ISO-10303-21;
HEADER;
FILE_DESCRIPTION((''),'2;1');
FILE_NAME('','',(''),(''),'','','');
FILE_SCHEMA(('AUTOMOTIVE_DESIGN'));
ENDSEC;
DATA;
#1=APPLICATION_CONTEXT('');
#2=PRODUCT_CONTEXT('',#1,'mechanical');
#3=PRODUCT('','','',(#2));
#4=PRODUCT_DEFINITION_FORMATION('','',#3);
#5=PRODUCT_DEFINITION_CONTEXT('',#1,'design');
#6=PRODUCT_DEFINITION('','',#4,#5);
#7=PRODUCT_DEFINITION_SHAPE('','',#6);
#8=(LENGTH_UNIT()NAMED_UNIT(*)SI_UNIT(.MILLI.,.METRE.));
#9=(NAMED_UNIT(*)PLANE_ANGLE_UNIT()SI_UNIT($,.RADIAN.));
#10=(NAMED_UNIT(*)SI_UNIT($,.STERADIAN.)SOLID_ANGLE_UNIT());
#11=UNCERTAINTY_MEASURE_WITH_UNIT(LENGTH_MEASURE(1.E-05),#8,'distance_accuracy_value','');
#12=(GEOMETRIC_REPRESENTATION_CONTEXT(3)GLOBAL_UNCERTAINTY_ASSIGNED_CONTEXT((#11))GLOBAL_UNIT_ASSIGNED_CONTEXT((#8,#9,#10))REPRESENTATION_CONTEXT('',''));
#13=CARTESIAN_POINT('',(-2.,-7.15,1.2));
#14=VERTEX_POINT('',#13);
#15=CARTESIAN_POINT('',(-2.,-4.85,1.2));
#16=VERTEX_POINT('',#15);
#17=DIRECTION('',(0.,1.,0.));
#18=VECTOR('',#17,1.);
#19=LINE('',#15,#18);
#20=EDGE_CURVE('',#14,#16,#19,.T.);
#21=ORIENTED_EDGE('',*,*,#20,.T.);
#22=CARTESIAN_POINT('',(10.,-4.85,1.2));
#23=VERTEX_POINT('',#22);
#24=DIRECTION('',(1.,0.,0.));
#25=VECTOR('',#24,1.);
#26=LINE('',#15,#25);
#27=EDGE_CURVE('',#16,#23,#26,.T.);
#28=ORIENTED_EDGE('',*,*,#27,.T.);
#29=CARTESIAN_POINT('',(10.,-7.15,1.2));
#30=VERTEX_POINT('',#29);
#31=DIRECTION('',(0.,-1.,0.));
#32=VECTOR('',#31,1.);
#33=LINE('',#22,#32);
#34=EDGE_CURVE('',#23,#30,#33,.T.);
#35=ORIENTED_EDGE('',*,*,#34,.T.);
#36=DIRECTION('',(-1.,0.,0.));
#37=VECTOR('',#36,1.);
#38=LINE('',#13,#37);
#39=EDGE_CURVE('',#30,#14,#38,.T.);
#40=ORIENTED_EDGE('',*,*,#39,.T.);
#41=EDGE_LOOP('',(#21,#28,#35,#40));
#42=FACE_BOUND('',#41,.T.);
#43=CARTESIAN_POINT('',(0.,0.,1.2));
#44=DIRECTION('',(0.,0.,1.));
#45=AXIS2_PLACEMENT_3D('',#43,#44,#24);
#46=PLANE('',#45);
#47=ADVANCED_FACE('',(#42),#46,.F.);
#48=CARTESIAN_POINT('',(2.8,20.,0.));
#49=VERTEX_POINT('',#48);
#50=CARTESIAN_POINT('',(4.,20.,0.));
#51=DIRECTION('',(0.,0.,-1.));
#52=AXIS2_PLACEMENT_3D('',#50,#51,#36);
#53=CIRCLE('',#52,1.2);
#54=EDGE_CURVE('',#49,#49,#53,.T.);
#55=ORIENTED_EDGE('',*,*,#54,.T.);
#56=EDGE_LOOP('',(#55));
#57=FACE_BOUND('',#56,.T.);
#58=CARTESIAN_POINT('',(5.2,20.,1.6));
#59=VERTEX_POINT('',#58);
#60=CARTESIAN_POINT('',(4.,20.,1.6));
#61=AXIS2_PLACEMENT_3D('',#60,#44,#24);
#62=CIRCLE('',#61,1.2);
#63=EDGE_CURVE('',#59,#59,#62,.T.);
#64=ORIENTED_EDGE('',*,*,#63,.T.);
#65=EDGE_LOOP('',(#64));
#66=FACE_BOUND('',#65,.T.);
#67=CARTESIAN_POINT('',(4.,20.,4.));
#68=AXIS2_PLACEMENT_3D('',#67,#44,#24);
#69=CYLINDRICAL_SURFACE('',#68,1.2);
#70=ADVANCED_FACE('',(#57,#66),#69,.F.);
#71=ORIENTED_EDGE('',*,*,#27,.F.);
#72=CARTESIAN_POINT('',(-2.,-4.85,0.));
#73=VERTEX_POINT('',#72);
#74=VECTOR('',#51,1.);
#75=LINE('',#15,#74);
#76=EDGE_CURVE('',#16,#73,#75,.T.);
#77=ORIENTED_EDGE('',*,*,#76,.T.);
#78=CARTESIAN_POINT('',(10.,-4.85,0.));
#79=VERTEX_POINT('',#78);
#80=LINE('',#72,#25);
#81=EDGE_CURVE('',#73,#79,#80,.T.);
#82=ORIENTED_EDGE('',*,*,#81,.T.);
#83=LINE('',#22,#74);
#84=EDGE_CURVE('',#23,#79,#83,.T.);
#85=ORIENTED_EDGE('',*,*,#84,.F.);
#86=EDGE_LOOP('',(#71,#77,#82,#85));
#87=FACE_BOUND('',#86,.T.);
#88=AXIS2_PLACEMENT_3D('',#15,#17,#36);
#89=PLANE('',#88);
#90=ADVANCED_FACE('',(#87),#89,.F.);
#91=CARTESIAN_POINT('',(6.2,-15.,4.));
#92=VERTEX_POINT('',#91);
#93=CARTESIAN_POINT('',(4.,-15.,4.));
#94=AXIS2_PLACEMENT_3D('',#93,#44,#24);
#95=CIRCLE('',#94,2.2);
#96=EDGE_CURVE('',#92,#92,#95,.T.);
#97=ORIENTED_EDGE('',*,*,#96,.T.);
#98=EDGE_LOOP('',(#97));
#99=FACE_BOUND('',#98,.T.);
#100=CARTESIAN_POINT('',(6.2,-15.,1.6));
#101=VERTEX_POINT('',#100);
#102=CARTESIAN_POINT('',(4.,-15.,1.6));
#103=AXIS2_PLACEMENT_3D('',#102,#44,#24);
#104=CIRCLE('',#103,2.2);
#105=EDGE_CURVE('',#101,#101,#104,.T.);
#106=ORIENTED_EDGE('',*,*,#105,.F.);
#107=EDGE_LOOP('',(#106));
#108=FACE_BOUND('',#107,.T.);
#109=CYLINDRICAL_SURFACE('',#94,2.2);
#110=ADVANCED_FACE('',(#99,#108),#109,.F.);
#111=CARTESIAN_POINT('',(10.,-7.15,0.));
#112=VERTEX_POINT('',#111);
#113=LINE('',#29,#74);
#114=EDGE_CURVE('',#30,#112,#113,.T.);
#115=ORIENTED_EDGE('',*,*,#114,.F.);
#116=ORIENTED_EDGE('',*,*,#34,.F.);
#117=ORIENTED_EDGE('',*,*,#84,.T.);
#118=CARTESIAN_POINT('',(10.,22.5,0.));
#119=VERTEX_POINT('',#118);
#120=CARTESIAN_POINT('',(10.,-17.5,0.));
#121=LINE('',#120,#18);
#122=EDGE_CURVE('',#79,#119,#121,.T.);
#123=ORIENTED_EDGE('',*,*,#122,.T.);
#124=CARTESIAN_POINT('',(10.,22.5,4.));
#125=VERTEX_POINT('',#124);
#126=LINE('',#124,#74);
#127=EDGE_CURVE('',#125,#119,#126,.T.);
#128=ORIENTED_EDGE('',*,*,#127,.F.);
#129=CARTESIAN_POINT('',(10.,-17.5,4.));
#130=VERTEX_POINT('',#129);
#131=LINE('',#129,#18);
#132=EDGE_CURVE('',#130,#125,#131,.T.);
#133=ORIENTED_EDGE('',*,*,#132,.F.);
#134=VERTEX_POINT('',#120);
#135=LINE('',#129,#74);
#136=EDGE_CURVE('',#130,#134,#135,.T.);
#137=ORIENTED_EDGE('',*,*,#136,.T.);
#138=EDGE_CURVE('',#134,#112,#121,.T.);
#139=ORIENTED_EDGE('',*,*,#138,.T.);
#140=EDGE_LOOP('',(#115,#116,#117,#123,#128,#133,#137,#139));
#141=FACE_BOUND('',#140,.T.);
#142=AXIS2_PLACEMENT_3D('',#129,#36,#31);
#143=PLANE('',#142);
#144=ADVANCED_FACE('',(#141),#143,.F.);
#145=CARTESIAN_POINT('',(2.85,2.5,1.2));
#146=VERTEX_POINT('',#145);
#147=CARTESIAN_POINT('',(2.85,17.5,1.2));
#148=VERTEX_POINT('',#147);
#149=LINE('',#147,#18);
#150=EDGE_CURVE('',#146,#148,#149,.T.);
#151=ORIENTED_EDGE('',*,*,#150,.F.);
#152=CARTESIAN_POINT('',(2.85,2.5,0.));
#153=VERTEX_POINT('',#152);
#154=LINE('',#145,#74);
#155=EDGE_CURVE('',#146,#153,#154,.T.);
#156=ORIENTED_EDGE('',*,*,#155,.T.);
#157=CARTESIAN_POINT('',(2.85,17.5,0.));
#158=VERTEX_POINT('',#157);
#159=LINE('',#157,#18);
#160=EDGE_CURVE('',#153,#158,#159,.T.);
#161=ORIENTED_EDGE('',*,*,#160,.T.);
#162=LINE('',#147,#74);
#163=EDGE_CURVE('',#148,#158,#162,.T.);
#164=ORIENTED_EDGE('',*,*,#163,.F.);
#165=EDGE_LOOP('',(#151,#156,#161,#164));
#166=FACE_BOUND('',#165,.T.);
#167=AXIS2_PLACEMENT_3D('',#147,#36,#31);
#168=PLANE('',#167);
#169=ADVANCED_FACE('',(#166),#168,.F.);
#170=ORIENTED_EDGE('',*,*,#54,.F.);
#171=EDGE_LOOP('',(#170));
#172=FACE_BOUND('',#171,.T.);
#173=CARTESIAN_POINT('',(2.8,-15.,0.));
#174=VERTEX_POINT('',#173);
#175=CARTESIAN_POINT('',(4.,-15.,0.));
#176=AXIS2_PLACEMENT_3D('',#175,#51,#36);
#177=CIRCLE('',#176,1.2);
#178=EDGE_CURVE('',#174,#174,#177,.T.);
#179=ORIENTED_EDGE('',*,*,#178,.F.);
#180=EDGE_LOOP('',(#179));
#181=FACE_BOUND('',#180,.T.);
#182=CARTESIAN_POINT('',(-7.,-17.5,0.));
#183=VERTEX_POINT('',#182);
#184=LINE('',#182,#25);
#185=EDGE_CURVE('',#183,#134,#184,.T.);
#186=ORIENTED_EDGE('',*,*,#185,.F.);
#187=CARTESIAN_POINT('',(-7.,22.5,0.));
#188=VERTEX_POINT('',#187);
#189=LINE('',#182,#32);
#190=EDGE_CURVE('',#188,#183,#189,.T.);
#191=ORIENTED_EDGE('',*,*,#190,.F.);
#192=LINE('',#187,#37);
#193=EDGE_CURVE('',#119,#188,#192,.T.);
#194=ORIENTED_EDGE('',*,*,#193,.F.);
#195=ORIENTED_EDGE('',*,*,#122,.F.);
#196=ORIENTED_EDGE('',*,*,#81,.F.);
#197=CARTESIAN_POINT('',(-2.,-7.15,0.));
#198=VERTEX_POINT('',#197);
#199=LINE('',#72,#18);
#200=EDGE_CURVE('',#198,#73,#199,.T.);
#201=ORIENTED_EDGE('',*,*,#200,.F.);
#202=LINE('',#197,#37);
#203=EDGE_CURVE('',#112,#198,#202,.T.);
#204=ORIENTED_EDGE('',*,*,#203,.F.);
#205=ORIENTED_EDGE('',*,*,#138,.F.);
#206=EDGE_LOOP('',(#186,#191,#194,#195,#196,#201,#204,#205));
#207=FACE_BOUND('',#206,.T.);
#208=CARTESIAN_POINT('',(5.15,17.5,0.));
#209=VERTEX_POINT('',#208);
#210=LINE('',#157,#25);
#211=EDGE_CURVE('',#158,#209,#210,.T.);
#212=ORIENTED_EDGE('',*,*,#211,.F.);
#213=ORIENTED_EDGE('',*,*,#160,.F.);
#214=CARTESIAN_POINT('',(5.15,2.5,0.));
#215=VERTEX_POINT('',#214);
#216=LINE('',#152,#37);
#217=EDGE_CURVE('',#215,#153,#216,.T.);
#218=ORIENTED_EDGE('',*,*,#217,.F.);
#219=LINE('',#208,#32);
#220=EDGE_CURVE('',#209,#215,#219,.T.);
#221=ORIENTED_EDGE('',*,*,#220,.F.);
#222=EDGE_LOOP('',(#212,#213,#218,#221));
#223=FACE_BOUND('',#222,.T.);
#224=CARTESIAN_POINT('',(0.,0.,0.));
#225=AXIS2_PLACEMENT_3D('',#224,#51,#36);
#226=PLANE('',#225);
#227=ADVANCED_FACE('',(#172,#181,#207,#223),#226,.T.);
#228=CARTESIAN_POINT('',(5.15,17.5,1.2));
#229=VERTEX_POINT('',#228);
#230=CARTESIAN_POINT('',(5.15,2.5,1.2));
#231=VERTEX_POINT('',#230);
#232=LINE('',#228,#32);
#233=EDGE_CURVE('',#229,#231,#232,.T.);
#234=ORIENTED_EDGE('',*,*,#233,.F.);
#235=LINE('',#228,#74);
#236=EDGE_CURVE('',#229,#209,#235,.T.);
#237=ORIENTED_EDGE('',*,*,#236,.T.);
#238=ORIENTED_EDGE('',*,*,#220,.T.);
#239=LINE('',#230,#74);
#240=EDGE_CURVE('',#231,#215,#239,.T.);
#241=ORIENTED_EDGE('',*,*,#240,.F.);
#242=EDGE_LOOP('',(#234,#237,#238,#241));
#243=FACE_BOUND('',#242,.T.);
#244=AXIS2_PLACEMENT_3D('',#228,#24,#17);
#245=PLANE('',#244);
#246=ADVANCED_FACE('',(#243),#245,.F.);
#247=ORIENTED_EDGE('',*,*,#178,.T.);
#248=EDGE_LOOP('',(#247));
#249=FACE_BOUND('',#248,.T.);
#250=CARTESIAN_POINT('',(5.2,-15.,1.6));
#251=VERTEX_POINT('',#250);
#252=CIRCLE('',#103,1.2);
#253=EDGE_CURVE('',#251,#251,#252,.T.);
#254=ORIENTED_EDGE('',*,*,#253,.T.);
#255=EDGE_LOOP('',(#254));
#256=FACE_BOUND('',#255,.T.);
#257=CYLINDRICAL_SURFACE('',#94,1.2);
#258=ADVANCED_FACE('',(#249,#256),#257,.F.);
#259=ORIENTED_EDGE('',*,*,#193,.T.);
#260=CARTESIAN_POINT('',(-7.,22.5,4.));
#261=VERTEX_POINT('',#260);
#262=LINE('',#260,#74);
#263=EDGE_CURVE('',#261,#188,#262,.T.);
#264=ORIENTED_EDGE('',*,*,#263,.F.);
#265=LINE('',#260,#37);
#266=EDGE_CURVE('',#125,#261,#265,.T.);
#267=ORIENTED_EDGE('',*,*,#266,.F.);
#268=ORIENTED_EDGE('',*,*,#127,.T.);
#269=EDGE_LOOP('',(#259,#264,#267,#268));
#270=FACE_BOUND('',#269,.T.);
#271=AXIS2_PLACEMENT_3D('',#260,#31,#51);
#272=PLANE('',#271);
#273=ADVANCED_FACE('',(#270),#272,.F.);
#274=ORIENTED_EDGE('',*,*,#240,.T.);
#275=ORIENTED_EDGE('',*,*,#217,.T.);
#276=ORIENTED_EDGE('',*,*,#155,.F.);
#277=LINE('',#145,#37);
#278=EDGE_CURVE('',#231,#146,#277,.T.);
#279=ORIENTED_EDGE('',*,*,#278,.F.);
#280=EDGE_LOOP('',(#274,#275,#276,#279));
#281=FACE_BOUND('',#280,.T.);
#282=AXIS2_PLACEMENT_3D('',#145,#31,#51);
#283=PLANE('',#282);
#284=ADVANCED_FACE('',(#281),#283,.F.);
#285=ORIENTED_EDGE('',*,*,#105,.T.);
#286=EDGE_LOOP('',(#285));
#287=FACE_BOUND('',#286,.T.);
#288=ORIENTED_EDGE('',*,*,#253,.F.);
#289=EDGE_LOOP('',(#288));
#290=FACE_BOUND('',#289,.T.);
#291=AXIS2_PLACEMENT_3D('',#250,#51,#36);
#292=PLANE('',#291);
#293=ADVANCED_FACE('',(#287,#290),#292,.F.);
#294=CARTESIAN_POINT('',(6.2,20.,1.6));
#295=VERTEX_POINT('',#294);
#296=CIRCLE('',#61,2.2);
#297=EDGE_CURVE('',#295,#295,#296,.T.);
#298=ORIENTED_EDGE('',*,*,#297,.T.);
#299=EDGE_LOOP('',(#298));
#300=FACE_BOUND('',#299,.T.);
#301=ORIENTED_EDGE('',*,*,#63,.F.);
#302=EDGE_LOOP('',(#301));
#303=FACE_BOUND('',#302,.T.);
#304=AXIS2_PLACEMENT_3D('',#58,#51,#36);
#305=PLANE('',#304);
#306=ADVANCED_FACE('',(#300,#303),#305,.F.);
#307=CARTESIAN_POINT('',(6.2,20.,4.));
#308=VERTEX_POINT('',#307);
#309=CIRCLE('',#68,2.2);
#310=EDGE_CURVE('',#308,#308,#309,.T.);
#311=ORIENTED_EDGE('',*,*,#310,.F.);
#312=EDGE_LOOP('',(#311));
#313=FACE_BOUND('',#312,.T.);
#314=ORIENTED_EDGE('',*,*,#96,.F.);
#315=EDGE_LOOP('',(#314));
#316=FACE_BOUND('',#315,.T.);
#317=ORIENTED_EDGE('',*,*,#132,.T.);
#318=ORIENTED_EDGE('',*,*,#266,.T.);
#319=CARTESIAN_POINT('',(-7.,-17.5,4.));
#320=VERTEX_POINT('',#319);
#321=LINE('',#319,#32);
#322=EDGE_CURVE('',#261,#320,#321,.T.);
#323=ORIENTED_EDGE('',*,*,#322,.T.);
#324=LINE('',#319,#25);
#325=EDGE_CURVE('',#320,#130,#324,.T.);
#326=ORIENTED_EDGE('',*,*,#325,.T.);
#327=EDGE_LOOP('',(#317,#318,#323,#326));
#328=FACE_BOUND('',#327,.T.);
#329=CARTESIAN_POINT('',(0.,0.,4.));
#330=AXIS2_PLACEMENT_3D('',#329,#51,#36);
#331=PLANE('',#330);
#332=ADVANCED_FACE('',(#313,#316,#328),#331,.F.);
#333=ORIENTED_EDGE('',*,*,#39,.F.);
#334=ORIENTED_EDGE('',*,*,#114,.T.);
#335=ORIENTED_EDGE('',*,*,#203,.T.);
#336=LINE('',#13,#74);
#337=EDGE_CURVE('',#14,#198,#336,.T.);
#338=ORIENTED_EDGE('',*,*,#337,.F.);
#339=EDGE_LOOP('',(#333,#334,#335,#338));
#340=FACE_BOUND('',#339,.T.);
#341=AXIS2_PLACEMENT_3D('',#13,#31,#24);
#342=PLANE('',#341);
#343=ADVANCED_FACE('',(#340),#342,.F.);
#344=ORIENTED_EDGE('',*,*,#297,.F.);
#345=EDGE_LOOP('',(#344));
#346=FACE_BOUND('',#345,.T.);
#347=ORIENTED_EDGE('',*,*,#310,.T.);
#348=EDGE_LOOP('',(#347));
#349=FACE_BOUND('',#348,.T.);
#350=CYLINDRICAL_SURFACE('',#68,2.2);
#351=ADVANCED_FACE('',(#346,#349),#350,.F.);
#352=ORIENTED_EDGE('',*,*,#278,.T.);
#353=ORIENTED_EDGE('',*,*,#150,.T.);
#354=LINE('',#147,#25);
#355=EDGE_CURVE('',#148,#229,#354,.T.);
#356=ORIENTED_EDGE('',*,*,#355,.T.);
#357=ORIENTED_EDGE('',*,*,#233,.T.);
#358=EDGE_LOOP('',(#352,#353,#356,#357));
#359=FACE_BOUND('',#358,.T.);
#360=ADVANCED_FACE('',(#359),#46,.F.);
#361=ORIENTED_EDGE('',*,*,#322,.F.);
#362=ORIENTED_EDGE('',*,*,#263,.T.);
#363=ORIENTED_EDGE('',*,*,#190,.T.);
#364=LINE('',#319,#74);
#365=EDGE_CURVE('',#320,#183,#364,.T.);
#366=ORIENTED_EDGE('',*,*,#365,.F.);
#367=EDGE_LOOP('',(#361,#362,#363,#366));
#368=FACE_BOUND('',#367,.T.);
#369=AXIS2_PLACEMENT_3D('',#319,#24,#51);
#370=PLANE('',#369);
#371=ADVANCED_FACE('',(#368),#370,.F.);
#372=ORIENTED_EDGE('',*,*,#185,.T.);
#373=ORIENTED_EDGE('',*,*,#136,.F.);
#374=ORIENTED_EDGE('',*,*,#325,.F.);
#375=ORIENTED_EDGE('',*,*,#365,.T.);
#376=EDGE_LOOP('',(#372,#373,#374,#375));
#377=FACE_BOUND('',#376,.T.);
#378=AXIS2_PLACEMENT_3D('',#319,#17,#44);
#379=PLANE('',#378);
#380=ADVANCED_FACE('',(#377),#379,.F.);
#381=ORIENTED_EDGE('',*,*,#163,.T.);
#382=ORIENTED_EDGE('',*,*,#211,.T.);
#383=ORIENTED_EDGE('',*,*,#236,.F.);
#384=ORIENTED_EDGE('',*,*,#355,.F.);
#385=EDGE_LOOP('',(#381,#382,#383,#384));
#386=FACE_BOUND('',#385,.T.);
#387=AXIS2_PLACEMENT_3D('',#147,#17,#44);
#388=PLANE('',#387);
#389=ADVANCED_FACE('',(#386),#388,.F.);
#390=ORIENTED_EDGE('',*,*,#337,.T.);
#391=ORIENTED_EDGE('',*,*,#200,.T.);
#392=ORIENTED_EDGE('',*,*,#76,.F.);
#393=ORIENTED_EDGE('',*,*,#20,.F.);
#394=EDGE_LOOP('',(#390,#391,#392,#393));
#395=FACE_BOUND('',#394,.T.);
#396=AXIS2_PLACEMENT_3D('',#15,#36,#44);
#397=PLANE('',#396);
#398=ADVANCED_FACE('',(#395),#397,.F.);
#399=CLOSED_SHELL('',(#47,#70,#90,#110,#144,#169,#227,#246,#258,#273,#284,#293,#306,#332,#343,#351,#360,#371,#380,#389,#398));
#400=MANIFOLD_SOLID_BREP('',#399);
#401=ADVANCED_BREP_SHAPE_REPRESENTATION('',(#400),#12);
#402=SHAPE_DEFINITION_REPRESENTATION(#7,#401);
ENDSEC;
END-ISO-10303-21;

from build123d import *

# Parameters (mm, degrees)
ESQUISSE1_W                                       = 17
ESQUISSE1_H                                       = 40
BOSS_EXTRU_1_DEPTH                                = 4
CHAMBRAGE_POUR_VIS_SIX_PANS_CREUX_M21_D           = 2.4
CHAMBRAGE_POUR_VIS_SIX_PANS_CREUX_M21_CBORE_D     = 4.4
CHAMBRAGE_POUR_VIS_SIX_PANS_CREUX_M21_CBORE_DEPTH = 2.4
ESQUISSE7_W                                       = 12
ESQUISSE7_H                                       = 2.3
ESQUISSE7_W_2                                     = 2.3
ESQUISSE7_H_2                                     = 15
ENL_V_MAT_EXTRU_1_DEPTH                           = 1.2


with BuildPart() as part:
    # Esquisse1 → Boss.-Extru.1 (new body)
    with BuildSketch(Plane.XY):
        with Locations((1.5, 2.5)):
            Rectangle(ESQUISSE1_W, ESQUISSE1_H)
    extrude(amount=BOSS_EXTRU_1_DEPTH)

    # Chambrage pour vis à six pans creux M21 (through all)
    with Locations(Plane.XY.offset(4)):
        with Locations((4, -15), (4, 20)):
            CounterBoreHole(CHAMBRAGE_POUR_VIS_SIX_PANS_CREUX_M21_D / 2, CHAMBRAGE_POUR_VIS_SIX_PANS_CREUX_M21_CBORE_D / 2, CHAMBRAGE_POUR_VIS_SIX_PANS_CREUX_M21_CBORE_DEPTH)

    # Esquisse7 → Enlèv. mat.-Extru.1 (cut)
    with BuildSketch(Plane(origin=(0, 0, 0), x_dir=(-1, 0, 0), z_dir=(0, 0, -1))):
        with Locations((-4, -6)):
            Rectangle(ESQUISSE7_W, ESQUISSE7_H)
        with Locations((-4, 10)):
            Rectangle(ESQUISSE7_W_2, ESQUISSE7_H_2)
    extrude(amount=-ENL_V_MAT_EXTRU_1_DEPTH, mode=Mode.SUBTRACT)


solid = part.part
